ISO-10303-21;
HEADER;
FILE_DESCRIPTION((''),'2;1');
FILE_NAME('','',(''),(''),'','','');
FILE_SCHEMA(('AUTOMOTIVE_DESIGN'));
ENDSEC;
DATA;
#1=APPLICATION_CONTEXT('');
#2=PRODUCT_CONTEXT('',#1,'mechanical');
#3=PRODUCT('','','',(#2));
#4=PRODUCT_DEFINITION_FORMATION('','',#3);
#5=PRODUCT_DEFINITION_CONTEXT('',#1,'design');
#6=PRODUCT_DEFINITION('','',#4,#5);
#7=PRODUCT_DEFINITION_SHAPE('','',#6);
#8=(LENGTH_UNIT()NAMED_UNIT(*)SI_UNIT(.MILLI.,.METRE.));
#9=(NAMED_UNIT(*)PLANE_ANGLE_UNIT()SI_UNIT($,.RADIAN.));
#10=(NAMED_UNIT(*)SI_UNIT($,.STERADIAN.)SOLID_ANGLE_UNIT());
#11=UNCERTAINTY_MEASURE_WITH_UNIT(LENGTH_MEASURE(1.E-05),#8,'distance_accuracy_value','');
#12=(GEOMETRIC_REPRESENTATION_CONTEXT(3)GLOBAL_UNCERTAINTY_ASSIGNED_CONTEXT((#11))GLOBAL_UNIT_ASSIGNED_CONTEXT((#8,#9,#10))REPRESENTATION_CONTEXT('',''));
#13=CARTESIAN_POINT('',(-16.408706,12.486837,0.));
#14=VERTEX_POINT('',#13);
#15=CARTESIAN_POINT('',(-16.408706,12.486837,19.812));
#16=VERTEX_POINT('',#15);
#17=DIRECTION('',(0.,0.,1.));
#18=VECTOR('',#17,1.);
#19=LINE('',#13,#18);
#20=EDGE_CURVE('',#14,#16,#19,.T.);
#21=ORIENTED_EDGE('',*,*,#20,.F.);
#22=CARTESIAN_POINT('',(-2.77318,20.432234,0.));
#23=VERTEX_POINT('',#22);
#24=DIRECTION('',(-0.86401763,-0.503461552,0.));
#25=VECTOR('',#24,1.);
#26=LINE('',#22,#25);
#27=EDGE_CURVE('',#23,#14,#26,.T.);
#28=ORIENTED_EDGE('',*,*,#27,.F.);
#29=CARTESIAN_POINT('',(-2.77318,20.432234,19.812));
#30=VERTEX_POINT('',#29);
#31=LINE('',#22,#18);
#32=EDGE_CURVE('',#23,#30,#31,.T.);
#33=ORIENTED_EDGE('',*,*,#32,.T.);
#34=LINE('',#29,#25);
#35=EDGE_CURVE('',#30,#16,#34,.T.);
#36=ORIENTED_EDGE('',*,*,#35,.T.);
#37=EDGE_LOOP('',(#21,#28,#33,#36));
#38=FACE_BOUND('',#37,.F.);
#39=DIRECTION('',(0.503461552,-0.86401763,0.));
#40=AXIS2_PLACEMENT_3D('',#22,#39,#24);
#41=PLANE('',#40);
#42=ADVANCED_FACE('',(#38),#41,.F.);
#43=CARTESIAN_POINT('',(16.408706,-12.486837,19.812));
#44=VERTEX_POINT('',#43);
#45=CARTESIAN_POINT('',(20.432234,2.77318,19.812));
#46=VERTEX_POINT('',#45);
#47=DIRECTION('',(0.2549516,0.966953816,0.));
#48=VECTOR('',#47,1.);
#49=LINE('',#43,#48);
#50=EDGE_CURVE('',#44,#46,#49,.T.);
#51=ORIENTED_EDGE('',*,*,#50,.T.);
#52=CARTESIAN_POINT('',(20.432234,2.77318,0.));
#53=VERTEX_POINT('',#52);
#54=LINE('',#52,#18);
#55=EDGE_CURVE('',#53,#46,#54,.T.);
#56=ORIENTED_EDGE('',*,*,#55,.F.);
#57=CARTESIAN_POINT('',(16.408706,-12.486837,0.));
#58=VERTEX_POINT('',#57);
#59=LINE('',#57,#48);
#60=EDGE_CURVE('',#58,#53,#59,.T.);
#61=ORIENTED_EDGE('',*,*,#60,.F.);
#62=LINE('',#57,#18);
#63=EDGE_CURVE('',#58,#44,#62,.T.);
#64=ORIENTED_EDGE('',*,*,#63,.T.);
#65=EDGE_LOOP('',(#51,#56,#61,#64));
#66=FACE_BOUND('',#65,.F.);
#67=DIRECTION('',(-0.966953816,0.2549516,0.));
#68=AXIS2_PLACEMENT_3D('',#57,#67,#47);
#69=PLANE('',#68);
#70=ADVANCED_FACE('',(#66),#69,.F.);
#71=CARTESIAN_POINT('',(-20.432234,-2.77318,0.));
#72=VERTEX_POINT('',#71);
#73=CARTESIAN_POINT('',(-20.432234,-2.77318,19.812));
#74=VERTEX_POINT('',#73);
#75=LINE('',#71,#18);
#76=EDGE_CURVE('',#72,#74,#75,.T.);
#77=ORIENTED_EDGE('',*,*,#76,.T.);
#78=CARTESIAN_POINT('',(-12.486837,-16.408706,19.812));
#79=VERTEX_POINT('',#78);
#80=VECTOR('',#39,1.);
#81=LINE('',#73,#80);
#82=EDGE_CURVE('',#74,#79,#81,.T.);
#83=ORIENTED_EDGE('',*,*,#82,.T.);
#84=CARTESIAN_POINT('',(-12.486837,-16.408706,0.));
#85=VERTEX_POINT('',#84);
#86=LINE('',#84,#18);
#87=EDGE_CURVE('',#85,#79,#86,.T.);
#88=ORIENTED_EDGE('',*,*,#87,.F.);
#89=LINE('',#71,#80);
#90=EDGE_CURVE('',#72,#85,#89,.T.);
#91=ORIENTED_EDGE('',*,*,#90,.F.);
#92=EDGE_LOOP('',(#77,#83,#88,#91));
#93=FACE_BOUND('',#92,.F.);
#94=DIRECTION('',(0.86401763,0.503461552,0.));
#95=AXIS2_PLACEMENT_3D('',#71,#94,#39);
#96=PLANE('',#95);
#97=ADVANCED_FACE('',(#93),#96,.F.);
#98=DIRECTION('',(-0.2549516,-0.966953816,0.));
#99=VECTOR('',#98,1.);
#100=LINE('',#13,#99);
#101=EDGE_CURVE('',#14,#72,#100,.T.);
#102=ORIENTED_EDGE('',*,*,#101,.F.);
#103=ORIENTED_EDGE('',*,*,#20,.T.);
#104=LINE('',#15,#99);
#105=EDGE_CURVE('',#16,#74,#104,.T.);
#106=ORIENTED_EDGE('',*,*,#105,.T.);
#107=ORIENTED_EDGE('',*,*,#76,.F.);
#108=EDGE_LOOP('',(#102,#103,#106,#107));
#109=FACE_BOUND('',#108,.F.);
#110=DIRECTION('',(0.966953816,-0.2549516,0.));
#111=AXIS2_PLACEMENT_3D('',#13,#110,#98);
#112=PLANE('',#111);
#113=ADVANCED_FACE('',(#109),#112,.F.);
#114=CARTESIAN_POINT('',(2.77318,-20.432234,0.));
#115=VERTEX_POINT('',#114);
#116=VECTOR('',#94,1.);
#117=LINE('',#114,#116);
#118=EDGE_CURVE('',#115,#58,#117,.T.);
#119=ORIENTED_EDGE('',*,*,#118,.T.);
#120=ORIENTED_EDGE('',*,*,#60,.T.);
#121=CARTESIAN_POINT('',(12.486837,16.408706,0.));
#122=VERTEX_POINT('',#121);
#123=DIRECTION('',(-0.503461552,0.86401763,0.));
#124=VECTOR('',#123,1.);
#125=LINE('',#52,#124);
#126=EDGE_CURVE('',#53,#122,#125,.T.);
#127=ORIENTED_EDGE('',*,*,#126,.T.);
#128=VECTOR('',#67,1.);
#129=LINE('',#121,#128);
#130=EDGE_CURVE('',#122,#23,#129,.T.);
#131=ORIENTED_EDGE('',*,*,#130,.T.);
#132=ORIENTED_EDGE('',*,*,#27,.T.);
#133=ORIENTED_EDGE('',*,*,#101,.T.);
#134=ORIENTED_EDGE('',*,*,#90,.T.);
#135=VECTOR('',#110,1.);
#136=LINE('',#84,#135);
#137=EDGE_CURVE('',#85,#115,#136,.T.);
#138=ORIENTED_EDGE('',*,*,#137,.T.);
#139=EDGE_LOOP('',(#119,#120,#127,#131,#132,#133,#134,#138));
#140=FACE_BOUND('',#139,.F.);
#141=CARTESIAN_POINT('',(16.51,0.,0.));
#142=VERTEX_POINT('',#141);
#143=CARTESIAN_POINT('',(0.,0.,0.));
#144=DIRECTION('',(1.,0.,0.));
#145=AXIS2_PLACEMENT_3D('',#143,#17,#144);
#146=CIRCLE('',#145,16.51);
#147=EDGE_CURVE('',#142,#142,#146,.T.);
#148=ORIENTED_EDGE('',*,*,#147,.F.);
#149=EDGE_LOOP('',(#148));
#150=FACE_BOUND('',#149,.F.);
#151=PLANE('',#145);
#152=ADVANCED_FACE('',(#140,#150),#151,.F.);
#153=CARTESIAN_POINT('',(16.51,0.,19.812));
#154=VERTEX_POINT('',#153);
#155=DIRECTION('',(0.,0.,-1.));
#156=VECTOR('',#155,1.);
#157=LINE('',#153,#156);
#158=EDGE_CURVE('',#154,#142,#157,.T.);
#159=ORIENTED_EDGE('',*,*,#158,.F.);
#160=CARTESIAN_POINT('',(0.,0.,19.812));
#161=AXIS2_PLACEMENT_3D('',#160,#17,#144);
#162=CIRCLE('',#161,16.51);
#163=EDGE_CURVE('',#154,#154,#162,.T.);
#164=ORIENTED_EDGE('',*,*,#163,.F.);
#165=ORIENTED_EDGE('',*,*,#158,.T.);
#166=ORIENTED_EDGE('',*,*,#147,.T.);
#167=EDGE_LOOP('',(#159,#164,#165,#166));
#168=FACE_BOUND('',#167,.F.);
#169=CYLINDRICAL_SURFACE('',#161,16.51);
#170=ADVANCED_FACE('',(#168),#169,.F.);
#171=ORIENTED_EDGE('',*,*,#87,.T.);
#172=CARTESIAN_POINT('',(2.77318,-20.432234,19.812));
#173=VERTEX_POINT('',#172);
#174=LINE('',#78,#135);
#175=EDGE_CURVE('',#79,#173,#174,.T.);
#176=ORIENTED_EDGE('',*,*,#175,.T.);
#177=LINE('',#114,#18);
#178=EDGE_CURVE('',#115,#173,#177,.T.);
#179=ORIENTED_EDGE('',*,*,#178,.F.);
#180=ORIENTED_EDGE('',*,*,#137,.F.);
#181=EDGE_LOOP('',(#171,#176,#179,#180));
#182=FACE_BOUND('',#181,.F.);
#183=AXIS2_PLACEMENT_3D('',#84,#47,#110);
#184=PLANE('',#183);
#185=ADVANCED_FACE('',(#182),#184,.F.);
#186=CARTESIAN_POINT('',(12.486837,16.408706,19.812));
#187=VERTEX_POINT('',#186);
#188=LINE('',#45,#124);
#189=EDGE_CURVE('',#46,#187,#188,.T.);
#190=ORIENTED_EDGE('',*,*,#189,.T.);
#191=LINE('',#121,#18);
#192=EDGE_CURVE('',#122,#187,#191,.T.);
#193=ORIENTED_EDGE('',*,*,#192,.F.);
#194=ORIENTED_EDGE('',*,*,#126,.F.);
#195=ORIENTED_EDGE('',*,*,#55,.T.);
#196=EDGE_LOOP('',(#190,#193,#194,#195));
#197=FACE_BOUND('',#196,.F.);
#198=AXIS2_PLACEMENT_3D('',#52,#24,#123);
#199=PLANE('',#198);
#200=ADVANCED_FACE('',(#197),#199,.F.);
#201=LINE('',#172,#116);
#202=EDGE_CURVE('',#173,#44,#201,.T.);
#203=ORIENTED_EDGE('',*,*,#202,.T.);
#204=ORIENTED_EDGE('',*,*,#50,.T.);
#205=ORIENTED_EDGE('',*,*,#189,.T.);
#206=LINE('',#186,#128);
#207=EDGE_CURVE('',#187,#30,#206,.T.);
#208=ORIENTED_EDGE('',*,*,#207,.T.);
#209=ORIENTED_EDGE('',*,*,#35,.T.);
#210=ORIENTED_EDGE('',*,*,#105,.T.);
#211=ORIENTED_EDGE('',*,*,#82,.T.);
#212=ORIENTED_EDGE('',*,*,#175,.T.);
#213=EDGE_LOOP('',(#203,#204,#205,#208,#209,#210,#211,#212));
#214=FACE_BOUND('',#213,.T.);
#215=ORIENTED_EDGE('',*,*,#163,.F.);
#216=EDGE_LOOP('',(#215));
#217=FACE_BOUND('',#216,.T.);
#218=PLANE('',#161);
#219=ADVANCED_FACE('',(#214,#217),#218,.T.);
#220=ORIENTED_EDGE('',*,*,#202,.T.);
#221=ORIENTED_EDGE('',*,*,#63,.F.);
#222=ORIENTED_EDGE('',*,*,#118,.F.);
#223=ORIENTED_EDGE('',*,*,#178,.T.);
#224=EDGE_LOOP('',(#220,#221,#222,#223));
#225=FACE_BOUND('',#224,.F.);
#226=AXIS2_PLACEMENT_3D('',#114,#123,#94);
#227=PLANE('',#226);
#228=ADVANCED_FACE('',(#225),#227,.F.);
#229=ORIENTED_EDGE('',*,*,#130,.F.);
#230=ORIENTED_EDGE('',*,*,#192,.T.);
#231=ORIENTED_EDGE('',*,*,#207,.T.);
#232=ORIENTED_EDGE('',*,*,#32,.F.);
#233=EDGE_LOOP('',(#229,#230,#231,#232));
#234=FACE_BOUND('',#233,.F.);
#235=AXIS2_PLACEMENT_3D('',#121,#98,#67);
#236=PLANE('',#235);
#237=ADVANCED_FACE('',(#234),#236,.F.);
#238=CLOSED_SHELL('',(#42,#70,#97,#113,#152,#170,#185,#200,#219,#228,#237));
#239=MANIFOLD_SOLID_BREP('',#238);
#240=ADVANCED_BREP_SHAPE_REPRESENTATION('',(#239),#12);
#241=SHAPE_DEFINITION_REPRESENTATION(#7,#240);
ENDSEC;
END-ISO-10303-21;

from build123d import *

# Parameters (mm, degrees)
F1_DEPTH = 19.812
F2_R     = 16.51
F3_DEPTH = 25.4


with BuildPart() as f1:
    # F0 (on Top) → F1 (new body)
    with BuildSketch(Plane.XY):
        Polygon((20.432234, 2.77318), (12.486837, 16.408706), (-2.77318, 20.432234), (-16.408706, 12.486837), (-20.432234, -2.77318), (-12.486837, -16.408706), (2.77318, -20.432234), (16.408706, -12.486837), align=None)
    extrude(amount=F1_DEPTH)

    # F2 (on face) → F3 (cut)
    with BuildSketch(Plane.XY.offset(19.812)):
        Circle(F2_R)
    extrude(amount=-F3_DEPTH, mode=Mode.SUBTRACT)


solid = f1.part
